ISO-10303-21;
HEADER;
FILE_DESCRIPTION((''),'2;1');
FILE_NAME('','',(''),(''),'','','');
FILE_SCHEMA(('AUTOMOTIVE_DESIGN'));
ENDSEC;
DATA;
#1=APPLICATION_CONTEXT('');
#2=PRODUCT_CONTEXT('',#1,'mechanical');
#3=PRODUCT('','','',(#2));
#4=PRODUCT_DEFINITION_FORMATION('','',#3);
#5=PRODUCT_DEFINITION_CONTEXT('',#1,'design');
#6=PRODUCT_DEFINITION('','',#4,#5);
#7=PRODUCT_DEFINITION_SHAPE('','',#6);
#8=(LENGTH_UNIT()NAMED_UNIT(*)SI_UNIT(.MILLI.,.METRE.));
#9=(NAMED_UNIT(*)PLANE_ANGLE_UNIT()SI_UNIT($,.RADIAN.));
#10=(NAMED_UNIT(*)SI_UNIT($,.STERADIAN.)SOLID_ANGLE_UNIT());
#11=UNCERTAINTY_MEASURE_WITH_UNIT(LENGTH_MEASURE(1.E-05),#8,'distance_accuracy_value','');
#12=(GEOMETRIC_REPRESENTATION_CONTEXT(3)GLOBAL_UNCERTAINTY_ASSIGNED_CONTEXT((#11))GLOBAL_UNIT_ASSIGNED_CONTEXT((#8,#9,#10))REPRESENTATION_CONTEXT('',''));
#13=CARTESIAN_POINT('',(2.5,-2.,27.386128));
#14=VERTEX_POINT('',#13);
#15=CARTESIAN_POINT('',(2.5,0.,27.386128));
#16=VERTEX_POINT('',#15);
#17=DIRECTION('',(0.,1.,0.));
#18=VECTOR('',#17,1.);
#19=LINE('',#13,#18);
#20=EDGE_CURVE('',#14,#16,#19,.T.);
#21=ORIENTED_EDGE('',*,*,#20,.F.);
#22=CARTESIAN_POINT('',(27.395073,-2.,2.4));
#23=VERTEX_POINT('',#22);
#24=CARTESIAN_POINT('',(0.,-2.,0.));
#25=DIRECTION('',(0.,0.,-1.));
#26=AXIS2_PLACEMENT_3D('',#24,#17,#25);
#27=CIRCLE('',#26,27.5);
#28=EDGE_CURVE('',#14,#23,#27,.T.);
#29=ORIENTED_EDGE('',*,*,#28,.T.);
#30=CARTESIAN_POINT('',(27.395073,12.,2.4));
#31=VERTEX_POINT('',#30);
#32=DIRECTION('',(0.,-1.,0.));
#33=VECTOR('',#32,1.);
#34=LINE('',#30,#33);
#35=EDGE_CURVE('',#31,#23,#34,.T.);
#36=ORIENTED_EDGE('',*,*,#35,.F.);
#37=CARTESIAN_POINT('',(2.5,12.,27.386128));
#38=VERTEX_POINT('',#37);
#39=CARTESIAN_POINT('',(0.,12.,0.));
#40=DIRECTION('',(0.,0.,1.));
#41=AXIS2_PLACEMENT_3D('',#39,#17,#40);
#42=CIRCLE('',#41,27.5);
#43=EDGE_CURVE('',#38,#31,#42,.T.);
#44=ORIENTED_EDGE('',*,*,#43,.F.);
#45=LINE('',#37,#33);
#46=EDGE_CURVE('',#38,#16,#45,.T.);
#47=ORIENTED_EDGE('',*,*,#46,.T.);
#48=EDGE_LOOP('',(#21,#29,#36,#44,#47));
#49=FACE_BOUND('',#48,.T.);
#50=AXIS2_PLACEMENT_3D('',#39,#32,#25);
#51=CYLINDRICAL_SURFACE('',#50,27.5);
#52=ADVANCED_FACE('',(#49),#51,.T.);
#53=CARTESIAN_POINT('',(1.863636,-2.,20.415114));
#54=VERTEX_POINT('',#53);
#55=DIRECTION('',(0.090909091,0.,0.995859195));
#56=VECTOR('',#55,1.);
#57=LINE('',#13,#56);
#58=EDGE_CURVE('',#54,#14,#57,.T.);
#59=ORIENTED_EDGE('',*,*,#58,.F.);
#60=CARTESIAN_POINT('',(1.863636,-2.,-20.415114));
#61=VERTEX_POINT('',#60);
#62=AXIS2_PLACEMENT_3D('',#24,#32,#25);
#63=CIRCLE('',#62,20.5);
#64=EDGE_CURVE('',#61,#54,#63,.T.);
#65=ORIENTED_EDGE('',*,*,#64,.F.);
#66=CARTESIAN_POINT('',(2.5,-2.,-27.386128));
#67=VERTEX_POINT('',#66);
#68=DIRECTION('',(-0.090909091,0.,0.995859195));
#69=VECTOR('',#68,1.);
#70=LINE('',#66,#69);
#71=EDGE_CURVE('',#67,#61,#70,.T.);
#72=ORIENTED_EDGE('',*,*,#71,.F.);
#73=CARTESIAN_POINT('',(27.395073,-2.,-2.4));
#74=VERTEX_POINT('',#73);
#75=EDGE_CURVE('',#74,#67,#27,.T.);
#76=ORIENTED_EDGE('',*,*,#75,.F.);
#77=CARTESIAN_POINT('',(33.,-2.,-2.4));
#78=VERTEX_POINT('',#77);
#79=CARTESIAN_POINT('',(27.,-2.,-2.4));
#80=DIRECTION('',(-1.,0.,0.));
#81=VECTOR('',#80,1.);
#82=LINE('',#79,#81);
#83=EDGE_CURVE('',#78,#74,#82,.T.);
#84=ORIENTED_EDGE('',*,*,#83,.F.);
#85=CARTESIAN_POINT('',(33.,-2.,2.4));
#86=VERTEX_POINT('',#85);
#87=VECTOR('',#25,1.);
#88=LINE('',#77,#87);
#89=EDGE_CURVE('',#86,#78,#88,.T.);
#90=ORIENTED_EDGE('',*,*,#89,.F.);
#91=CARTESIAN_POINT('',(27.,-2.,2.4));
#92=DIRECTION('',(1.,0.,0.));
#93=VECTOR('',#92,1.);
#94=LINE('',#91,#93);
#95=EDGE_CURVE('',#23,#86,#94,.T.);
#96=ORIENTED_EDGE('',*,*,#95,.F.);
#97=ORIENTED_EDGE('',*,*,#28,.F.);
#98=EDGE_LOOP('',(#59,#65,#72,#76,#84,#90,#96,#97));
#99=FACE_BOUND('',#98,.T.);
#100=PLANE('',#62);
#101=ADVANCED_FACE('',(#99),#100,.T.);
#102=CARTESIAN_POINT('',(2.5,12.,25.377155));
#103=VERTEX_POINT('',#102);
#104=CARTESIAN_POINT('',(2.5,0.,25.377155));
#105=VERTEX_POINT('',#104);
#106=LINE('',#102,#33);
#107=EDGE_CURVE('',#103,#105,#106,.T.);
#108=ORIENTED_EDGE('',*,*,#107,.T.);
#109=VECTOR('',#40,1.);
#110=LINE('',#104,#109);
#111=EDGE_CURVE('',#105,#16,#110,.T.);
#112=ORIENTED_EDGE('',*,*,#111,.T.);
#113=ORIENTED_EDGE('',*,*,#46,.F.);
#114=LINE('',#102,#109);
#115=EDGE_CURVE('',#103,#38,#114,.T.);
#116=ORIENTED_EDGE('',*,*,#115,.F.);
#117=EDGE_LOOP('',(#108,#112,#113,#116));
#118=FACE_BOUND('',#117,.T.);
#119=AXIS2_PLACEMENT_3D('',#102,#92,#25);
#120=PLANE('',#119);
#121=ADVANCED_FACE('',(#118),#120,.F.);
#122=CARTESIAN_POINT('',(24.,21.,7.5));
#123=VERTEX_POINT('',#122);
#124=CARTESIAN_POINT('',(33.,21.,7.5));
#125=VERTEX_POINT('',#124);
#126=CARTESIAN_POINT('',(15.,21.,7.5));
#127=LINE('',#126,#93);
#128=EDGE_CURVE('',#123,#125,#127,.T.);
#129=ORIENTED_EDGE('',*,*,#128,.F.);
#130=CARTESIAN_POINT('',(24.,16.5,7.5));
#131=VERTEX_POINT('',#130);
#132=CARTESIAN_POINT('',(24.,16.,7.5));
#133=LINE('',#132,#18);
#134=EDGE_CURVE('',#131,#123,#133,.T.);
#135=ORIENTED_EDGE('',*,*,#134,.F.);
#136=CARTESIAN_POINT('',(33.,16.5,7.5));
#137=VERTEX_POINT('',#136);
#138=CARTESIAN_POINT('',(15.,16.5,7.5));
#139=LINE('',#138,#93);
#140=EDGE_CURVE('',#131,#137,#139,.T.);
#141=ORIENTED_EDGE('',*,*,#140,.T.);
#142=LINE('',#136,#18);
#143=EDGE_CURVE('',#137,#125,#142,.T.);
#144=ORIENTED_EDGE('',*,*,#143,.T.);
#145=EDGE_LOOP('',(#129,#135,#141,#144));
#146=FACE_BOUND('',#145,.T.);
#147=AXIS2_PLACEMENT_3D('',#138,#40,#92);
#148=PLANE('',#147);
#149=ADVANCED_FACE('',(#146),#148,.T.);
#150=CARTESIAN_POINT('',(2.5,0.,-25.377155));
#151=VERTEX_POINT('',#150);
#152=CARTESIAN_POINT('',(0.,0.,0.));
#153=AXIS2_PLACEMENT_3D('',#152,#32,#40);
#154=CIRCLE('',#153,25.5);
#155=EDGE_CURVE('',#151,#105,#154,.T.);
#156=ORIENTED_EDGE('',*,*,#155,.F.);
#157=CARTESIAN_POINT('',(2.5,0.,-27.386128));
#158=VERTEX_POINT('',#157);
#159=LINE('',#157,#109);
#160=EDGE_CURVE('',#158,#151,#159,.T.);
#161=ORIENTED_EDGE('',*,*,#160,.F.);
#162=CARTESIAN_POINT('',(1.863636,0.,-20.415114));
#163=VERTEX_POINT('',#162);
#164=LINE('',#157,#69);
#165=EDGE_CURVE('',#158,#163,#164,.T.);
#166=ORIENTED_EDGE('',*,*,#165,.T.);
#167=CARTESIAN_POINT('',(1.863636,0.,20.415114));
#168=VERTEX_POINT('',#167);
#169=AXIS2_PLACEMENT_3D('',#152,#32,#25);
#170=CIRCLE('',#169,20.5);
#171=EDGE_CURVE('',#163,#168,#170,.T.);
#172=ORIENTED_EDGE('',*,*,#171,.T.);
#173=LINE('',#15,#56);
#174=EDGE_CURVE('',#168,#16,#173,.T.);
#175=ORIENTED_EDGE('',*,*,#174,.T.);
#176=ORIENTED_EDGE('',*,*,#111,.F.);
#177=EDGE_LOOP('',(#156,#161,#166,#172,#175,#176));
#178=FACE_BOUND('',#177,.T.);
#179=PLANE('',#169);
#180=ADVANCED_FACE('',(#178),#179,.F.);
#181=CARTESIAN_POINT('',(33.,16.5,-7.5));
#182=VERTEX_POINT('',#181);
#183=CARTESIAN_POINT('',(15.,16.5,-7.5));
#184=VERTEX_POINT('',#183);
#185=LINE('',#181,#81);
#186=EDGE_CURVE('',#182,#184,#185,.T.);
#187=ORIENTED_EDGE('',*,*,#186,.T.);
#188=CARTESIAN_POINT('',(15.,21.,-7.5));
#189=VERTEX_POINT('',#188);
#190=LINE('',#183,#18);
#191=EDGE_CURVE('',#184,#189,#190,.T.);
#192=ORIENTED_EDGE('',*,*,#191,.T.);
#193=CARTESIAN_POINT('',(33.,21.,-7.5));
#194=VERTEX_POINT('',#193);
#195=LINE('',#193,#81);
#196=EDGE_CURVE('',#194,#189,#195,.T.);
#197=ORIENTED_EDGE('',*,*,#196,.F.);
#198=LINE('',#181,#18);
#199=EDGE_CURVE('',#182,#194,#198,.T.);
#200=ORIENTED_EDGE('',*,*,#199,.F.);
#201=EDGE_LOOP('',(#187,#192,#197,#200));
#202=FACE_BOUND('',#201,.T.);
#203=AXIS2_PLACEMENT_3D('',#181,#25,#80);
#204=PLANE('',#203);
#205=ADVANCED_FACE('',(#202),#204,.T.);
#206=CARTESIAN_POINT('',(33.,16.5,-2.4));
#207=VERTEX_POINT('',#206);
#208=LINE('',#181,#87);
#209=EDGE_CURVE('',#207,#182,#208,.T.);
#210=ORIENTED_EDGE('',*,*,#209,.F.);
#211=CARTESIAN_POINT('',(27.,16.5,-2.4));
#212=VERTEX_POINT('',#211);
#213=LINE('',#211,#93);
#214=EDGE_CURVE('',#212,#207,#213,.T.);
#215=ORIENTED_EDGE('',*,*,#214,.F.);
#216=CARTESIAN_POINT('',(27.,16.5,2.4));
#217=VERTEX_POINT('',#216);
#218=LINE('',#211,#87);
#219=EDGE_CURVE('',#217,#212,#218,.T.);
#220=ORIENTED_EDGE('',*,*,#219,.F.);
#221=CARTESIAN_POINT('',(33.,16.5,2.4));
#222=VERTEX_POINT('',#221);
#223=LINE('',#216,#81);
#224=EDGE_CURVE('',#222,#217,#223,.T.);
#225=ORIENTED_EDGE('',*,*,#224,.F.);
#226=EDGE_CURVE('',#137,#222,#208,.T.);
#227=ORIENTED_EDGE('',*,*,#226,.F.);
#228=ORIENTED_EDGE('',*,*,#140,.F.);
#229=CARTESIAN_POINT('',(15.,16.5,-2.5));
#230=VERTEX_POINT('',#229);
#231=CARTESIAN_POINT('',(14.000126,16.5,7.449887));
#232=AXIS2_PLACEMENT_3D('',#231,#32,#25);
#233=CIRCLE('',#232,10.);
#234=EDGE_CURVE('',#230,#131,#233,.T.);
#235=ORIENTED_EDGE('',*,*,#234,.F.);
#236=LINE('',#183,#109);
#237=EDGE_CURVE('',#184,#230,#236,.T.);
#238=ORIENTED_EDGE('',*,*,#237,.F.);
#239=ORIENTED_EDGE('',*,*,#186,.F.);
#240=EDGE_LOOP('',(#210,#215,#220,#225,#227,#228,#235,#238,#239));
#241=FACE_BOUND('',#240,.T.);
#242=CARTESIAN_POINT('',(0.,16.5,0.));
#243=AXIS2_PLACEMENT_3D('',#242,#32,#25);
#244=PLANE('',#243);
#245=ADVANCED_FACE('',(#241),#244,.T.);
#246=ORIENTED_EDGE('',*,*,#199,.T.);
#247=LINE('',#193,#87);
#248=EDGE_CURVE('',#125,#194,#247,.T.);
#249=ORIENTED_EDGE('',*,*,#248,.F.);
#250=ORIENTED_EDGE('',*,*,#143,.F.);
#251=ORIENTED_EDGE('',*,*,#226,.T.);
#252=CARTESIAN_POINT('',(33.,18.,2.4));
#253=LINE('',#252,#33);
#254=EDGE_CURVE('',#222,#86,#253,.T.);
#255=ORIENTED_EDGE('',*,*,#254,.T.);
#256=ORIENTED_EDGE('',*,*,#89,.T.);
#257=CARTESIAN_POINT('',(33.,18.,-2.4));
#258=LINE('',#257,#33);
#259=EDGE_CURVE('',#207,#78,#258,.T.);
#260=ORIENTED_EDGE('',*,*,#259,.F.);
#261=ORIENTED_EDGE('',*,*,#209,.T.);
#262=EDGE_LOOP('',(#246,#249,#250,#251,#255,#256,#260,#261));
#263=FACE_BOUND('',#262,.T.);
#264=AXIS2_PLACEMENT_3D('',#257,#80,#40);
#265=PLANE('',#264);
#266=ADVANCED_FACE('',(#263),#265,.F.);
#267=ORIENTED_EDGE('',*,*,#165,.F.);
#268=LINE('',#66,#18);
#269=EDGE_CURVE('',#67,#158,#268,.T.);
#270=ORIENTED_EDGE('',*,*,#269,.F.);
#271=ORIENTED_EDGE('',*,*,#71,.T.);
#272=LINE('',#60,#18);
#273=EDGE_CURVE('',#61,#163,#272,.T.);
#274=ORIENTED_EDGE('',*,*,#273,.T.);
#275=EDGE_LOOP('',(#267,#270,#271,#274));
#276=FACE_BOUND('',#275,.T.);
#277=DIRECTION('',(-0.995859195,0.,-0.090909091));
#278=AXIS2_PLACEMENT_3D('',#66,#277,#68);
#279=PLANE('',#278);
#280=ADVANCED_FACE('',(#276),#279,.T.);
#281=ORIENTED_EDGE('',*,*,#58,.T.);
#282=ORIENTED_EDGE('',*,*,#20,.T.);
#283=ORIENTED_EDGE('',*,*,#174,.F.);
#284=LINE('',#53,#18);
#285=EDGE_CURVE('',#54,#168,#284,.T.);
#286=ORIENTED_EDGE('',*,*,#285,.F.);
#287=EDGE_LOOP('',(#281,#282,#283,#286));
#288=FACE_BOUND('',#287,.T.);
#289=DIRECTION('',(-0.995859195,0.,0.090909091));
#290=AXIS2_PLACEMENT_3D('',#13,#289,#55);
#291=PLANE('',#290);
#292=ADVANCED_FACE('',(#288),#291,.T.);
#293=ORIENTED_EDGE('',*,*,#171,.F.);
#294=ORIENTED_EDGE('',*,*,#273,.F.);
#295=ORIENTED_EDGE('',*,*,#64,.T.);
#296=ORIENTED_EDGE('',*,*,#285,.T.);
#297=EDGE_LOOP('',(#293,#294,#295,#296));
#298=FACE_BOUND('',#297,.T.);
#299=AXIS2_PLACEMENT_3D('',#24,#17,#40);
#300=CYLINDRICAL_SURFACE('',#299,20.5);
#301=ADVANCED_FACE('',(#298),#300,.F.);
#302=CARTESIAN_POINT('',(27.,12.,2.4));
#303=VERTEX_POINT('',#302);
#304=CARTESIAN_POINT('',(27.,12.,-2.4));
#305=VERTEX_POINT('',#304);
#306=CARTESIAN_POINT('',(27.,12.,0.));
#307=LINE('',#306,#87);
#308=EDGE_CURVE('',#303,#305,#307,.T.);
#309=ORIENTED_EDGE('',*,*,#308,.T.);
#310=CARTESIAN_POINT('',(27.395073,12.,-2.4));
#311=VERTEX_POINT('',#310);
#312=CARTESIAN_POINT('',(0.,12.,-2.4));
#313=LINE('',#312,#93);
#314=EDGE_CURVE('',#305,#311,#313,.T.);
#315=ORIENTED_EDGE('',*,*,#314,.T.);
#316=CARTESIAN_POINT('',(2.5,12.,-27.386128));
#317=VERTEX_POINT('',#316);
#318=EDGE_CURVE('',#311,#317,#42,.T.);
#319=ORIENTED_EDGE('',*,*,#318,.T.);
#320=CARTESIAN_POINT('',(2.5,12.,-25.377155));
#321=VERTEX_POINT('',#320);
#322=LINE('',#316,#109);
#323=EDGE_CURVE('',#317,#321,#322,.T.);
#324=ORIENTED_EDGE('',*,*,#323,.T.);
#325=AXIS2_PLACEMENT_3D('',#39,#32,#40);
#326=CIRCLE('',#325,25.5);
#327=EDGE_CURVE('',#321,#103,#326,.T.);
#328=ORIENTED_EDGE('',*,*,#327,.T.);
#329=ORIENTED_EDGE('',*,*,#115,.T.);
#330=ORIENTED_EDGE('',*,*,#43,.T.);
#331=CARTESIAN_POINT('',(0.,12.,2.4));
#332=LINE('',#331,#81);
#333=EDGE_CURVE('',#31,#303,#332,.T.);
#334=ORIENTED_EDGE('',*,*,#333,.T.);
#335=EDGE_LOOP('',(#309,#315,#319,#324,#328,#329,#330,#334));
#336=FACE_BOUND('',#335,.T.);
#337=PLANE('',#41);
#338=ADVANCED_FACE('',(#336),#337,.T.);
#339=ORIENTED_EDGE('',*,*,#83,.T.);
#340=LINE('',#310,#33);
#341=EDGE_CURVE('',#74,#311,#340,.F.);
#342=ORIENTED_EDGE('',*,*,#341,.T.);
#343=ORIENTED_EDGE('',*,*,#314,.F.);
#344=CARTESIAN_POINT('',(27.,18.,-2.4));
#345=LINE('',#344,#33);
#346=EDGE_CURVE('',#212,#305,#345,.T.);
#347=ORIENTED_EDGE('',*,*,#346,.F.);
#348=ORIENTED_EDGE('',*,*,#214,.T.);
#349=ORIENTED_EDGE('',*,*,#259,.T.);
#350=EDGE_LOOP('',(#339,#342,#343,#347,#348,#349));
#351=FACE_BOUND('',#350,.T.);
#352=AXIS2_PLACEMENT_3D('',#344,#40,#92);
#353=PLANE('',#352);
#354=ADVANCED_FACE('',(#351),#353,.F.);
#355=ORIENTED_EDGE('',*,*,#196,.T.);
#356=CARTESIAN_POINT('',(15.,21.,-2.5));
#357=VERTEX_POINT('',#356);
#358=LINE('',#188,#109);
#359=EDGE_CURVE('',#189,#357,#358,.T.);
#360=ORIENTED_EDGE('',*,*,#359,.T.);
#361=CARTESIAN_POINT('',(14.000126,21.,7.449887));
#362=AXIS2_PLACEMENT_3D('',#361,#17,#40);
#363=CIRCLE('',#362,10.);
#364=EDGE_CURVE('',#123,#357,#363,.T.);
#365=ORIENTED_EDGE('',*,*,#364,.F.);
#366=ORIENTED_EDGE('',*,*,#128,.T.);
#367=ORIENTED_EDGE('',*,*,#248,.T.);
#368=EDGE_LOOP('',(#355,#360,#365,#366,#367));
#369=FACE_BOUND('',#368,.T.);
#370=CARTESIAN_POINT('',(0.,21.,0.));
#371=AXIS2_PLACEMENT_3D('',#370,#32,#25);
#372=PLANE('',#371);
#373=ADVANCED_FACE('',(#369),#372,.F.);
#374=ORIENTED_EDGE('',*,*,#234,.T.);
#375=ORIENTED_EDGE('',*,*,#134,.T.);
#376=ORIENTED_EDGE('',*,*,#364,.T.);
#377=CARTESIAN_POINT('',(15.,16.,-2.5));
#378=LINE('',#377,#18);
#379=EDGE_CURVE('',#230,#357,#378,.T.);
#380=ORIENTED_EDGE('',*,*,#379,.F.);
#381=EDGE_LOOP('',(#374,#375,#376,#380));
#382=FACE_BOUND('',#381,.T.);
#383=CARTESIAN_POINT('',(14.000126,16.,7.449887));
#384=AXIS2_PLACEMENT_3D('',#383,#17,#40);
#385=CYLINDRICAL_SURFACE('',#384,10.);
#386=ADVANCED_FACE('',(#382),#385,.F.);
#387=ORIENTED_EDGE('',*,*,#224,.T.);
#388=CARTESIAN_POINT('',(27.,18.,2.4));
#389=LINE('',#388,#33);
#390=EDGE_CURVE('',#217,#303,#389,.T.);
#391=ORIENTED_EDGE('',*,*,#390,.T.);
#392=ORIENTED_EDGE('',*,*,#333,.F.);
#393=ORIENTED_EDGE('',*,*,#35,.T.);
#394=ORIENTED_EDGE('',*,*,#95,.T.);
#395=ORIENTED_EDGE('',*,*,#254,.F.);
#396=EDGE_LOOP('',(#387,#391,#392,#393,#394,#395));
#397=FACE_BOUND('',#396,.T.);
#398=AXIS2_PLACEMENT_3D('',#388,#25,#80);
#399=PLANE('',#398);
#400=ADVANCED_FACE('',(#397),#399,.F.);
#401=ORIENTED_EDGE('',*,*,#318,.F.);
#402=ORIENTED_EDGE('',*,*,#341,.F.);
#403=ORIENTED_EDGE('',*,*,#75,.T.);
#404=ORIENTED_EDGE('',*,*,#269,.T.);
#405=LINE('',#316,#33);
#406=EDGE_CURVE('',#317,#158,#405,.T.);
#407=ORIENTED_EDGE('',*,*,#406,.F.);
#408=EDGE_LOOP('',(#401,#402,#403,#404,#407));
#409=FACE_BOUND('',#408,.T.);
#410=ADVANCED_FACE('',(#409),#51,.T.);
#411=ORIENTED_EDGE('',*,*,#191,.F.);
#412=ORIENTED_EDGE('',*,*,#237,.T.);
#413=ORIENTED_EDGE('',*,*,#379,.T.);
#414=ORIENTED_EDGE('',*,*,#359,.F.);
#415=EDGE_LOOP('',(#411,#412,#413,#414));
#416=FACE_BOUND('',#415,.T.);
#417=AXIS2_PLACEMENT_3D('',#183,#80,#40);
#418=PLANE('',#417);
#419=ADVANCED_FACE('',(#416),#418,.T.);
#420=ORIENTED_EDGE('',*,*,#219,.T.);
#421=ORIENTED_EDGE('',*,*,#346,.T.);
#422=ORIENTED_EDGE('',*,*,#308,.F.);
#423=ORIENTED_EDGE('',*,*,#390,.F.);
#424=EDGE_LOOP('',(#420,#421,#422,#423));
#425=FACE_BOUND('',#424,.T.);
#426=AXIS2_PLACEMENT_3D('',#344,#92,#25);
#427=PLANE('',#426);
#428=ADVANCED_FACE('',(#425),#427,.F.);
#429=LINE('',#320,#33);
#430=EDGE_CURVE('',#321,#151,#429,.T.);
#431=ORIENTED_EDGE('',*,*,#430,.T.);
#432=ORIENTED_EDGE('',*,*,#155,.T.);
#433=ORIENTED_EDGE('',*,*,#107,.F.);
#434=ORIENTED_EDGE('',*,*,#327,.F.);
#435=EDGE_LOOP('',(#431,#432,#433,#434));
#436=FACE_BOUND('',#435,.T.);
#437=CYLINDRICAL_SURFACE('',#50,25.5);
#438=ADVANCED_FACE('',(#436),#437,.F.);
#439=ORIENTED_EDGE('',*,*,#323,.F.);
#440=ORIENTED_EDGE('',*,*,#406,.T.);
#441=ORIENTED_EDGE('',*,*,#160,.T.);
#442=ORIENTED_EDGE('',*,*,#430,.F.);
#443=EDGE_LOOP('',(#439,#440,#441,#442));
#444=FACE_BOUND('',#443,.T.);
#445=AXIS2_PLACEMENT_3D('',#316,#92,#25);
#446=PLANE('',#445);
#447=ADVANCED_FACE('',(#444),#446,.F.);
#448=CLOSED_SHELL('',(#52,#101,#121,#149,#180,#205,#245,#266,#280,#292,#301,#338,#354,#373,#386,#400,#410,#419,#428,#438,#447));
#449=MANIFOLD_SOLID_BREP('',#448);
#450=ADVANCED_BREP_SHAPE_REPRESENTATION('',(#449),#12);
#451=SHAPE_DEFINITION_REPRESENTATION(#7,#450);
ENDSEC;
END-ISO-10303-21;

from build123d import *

# Parameters (mm, degrees)
BOSS_EXTRUDE1_DEPTH      = 12
BOSS_EXTRUDE2_START      = -2
BOSS_EXTRUDE2_DEPTH      = 2
SKETCH4_W                = 6
SKETCH4_H                = 4.8
BOSS_EXTRUDE3_DEPTH      = 20
BOSS_EXTRUDE4_DEPTH      = 3
BOSS_EXTRUDE4_DEPTH_BACK = 1.5
SKETCH5_W                = 18
SKETCH5_H                = 15
CUT_EXTRUDE1_DEPTH       = 5


with BuildPart() as part:
    # Sketch1 → Boss-Extrude1 (new body)
    with BuildSketch(Plane(origin=(0, 0, 0), x_dir=(1, 0, 0), z_dir=(0, 1, 0))):
        with BuildLine():
            Line((2.5, 27.386127875), (2.5, 25.377155081))
            ThreePointArc((2.5, 25.377155081), (25.5, 0), (2.5, -25.377155081))
            Line((2.5, -25.377155081), (2.5, -27.386127875))
            ThreePointArc((2.5, -27.386127875), (27.5, 0), (2.5, 27.386127875))
        make_face()
    extrude(amount=BOSS_EXTRUDE1_DEPTH)

    # Sketch2 → Boss-Extrude2 (add)
    with BuildSketch(Plane(origin=(0, 0, 0), x_dir=(1, 0, 0), z_dir=(0, 1, 0)).offset(BOSS_EXTRUDE2_START)):
        with BuildLine():
            Line((2.5, 27.386127875), (1.863636364, 20.415113507))
            ThreePointArc((1.863636364, 20.415113507), (20.5, 0), (1.863636364, -20.415113507))
            Line((1.863636364, -20.415113507), (2.5, -27.386127875))
            ThreePointArc((2.5, -27.386127875), (27.5, 0), (2.5, 27.386127875))
        make_face()
    extrude(amount=BOSS_EXTRUDE2_DEPTH)

    # Sketch4 → Boss-Extrude3 (add)
    with BuildSketch(Plane(origin=(0, -2, 0), x_dir=(1, 0, 0), z_dir=(0, 1, 0))):
        with Locations((30, 0)):
            Rectangle(SKETCH4_W, SKETCH4_H)
    extrude(amount=BOSS_EXTRUDE3_DEPTH)

    # Sketch5 → Boss-Extrude4 (add, two sides: drawn at the far end of the back side and taken through both)
    with BuildSketch(Plane(origin=(0, 18, 0), x_dir=(1, 0, 0), z_dir=(0, 1, 0)).offset(-BOSS_EXTRUDE4_DEPTH_BACK)):
        with Locations((24, 0)):
            Rectangle(SKETCH5_W, SKETCH5_H)
    extrude(amount=BOSS_EXTRUDE4_DEPTH + BOSS_EXTRUDE4_DEPTH_BACK)

    # Sketch6 → Cut-Extrude1 (cut)
    with BuildSketch(Plane(origin=(0, 21, 0), x_dir=(1, 0, 0), z_dir=(0, 1, 0))):
        with BuildLine():
            Line((24, -7.5), (15, -7.5))
            Line((15, -7.5), (15, 2.5))
            ThreePointArc((15, 2.5), (21.433067029, -0.760239674), (24, -7.5))
        make_face()
    extrude(amount=-CUT_EXTRUDE1_DEPTH, mode=Mode.SUBTRACT)


solid = part.part
